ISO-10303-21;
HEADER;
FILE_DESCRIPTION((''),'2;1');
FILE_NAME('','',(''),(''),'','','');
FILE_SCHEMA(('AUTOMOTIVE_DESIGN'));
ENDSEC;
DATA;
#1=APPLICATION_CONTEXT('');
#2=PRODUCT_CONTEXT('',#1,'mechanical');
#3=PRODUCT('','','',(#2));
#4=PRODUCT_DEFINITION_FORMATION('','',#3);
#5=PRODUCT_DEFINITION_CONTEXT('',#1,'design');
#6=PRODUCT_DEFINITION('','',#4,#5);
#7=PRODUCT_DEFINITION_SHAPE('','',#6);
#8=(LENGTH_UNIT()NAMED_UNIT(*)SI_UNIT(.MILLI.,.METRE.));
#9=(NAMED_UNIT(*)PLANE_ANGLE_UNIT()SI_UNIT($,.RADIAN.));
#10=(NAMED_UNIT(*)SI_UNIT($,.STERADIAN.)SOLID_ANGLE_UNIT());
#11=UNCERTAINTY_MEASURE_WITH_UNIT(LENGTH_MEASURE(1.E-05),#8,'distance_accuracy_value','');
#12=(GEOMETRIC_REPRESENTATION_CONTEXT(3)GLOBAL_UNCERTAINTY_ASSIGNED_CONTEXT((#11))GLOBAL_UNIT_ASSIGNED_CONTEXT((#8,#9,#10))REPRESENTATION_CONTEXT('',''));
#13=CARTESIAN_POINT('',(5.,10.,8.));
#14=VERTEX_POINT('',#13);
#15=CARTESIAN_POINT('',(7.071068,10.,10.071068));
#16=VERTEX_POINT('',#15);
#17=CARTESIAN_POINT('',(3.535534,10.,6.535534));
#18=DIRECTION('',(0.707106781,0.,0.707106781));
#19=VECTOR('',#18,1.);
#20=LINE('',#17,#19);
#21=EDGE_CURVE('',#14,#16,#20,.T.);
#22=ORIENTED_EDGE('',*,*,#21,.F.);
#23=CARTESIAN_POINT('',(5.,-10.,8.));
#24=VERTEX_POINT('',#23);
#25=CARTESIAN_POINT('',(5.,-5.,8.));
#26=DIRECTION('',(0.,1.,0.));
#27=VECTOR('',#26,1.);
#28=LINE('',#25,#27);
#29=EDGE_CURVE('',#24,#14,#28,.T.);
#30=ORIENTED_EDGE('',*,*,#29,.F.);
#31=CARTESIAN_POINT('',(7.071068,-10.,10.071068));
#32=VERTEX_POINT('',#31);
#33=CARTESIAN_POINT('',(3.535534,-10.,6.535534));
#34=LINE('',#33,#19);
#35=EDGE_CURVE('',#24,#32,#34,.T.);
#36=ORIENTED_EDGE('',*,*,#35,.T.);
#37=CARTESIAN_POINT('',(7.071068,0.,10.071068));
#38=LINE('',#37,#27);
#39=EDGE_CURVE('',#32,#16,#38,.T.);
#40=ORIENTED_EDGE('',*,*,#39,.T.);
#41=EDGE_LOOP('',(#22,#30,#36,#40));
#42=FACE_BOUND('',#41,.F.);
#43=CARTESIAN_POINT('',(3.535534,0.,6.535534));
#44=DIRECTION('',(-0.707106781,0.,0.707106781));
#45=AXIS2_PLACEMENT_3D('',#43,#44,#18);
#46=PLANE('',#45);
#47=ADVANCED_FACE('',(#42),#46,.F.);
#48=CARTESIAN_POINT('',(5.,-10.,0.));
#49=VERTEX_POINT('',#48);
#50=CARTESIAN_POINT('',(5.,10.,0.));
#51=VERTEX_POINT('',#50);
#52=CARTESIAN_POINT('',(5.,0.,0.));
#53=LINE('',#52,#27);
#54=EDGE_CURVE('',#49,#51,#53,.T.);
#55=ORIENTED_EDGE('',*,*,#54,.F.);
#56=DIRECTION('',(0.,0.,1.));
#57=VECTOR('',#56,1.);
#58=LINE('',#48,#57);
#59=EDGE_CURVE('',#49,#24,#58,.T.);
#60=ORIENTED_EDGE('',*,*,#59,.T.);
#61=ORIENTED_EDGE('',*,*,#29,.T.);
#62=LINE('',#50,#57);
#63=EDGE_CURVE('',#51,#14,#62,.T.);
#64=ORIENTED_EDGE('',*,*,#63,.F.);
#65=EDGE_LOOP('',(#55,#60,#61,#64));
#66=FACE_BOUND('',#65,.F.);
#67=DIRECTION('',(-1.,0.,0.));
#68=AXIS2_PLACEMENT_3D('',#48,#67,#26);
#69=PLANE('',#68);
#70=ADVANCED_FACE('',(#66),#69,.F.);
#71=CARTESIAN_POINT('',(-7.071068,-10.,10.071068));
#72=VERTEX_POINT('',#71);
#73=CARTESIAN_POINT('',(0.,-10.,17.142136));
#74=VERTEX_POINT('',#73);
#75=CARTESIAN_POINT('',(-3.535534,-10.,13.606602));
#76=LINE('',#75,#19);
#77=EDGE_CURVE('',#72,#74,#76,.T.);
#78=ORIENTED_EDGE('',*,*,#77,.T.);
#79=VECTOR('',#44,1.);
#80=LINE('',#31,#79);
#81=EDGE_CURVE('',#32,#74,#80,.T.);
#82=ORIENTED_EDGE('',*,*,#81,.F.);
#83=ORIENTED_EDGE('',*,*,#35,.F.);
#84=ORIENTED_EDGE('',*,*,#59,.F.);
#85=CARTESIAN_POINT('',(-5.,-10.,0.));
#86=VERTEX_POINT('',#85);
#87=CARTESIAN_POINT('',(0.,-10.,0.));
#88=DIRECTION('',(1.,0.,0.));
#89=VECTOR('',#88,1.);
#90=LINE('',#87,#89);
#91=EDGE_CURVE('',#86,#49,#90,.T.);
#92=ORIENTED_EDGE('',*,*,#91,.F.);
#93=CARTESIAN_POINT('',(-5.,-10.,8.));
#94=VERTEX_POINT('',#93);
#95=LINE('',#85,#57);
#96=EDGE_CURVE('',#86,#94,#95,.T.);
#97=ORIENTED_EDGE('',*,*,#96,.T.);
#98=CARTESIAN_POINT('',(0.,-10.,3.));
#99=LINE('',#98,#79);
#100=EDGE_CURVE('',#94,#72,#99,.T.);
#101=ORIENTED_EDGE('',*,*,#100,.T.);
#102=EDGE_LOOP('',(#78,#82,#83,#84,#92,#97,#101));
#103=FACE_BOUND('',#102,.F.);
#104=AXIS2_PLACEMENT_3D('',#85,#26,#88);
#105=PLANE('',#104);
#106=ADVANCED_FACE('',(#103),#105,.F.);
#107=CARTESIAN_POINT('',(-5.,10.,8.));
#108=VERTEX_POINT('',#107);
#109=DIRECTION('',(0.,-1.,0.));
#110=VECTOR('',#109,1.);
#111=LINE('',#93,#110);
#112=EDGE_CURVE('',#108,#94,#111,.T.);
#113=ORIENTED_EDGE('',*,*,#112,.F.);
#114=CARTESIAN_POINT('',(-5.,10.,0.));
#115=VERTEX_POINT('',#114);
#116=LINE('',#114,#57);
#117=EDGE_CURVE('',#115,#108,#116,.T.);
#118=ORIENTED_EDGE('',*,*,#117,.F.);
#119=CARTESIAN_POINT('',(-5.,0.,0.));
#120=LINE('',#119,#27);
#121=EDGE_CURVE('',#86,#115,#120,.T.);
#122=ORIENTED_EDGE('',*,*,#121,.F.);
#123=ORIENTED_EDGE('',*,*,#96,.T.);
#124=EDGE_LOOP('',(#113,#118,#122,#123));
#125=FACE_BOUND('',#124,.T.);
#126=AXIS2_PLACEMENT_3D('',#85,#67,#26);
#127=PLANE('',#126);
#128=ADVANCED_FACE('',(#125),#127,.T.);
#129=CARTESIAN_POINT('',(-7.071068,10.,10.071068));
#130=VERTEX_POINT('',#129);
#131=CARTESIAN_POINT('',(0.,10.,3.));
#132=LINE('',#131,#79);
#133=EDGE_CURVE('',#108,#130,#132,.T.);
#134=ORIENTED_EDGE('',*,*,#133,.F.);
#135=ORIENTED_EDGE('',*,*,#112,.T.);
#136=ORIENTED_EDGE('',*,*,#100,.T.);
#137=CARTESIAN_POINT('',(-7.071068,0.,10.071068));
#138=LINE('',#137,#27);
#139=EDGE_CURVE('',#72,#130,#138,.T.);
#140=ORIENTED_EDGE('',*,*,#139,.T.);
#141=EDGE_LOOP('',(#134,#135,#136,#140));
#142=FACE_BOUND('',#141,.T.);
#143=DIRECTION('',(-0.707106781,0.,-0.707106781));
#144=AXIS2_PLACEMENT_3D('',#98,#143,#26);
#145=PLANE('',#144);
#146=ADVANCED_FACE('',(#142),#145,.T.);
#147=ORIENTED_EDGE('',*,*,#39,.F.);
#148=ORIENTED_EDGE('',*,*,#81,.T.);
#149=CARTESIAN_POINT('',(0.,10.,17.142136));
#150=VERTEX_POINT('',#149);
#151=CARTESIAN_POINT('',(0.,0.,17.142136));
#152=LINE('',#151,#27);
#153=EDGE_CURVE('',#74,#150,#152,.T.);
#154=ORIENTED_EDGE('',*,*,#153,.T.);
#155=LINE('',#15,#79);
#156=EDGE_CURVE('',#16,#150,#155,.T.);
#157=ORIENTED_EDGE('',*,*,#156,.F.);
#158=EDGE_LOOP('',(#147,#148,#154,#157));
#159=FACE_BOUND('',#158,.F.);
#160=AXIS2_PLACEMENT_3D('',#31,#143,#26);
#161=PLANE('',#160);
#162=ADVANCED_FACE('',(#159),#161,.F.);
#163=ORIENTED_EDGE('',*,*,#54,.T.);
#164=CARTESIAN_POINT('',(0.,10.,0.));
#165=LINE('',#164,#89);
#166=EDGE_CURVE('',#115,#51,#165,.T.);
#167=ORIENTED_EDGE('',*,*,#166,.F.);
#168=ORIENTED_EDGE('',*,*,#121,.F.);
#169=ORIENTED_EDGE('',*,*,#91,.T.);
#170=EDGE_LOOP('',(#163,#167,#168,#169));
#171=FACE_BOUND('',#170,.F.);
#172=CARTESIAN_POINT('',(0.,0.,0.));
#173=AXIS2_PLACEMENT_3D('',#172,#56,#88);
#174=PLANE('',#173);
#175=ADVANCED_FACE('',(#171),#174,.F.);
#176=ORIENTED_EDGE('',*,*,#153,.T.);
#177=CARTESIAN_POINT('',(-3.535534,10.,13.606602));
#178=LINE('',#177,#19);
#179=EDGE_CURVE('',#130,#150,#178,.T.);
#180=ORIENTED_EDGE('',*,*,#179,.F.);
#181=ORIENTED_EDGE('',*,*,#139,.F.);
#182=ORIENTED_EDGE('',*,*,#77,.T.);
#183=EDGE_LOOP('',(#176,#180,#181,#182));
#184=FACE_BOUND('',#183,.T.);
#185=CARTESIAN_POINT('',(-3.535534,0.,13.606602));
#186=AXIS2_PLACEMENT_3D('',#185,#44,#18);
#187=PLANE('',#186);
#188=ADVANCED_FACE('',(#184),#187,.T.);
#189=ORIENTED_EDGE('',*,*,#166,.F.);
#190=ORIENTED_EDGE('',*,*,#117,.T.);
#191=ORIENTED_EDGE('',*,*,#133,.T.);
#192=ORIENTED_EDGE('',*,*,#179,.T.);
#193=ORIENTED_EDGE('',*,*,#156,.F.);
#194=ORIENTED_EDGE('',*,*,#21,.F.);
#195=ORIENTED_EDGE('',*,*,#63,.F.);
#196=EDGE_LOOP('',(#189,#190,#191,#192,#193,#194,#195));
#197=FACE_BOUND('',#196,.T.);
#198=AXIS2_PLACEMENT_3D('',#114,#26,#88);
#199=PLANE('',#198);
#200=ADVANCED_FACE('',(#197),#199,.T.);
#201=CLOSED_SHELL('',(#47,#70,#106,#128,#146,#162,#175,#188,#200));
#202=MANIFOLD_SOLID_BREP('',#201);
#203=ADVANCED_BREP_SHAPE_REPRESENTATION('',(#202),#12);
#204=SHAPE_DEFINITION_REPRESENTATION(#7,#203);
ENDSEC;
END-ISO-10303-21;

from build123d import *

# Parameters (mm, degrees)
BOX001_W               = 10
BOX001_H               = 20
BOX001_DEPTH           = 10
BOX001_PLACEMENT_ANGLE = 315
BOX_W                  = 10
BOX_H                  = 20
BOX_DEPTH              = 10


with BuildPart() as cubo001:
    # Box001 → Box001 (new body)
    with BuildSketch(Plane.XY):
        with Locations((5, 10)):
            Rectangle(BOX001_W, BOX001_H)
    extrude(amount=BOX001_DEPTH)


with BuildPart() as cubo001_1:
    # Box001 placement: moved
    add(cubo001.part.moved(Location((0, -10, 3))).rotate(Axis((0, -10, 3), (0, 1, 0)), BOX001_PLACEMENT_ANGLE))


with BuildPart() as fusion:
    # Box → Box (new body)
    with BuildSketch(Plane(origin=(-5, -10, 0), x_dir=(1, 0, 0), z_dir=(0, 0, 1))):
        with Locations((5, 10)):
            Rectangle(BOX_W, BOX_H)
    extrude(amount=BOX_DEPTH)

    # Fusion: union Cubo001
    add(cubo001_1.part)


solid = fusion.part
